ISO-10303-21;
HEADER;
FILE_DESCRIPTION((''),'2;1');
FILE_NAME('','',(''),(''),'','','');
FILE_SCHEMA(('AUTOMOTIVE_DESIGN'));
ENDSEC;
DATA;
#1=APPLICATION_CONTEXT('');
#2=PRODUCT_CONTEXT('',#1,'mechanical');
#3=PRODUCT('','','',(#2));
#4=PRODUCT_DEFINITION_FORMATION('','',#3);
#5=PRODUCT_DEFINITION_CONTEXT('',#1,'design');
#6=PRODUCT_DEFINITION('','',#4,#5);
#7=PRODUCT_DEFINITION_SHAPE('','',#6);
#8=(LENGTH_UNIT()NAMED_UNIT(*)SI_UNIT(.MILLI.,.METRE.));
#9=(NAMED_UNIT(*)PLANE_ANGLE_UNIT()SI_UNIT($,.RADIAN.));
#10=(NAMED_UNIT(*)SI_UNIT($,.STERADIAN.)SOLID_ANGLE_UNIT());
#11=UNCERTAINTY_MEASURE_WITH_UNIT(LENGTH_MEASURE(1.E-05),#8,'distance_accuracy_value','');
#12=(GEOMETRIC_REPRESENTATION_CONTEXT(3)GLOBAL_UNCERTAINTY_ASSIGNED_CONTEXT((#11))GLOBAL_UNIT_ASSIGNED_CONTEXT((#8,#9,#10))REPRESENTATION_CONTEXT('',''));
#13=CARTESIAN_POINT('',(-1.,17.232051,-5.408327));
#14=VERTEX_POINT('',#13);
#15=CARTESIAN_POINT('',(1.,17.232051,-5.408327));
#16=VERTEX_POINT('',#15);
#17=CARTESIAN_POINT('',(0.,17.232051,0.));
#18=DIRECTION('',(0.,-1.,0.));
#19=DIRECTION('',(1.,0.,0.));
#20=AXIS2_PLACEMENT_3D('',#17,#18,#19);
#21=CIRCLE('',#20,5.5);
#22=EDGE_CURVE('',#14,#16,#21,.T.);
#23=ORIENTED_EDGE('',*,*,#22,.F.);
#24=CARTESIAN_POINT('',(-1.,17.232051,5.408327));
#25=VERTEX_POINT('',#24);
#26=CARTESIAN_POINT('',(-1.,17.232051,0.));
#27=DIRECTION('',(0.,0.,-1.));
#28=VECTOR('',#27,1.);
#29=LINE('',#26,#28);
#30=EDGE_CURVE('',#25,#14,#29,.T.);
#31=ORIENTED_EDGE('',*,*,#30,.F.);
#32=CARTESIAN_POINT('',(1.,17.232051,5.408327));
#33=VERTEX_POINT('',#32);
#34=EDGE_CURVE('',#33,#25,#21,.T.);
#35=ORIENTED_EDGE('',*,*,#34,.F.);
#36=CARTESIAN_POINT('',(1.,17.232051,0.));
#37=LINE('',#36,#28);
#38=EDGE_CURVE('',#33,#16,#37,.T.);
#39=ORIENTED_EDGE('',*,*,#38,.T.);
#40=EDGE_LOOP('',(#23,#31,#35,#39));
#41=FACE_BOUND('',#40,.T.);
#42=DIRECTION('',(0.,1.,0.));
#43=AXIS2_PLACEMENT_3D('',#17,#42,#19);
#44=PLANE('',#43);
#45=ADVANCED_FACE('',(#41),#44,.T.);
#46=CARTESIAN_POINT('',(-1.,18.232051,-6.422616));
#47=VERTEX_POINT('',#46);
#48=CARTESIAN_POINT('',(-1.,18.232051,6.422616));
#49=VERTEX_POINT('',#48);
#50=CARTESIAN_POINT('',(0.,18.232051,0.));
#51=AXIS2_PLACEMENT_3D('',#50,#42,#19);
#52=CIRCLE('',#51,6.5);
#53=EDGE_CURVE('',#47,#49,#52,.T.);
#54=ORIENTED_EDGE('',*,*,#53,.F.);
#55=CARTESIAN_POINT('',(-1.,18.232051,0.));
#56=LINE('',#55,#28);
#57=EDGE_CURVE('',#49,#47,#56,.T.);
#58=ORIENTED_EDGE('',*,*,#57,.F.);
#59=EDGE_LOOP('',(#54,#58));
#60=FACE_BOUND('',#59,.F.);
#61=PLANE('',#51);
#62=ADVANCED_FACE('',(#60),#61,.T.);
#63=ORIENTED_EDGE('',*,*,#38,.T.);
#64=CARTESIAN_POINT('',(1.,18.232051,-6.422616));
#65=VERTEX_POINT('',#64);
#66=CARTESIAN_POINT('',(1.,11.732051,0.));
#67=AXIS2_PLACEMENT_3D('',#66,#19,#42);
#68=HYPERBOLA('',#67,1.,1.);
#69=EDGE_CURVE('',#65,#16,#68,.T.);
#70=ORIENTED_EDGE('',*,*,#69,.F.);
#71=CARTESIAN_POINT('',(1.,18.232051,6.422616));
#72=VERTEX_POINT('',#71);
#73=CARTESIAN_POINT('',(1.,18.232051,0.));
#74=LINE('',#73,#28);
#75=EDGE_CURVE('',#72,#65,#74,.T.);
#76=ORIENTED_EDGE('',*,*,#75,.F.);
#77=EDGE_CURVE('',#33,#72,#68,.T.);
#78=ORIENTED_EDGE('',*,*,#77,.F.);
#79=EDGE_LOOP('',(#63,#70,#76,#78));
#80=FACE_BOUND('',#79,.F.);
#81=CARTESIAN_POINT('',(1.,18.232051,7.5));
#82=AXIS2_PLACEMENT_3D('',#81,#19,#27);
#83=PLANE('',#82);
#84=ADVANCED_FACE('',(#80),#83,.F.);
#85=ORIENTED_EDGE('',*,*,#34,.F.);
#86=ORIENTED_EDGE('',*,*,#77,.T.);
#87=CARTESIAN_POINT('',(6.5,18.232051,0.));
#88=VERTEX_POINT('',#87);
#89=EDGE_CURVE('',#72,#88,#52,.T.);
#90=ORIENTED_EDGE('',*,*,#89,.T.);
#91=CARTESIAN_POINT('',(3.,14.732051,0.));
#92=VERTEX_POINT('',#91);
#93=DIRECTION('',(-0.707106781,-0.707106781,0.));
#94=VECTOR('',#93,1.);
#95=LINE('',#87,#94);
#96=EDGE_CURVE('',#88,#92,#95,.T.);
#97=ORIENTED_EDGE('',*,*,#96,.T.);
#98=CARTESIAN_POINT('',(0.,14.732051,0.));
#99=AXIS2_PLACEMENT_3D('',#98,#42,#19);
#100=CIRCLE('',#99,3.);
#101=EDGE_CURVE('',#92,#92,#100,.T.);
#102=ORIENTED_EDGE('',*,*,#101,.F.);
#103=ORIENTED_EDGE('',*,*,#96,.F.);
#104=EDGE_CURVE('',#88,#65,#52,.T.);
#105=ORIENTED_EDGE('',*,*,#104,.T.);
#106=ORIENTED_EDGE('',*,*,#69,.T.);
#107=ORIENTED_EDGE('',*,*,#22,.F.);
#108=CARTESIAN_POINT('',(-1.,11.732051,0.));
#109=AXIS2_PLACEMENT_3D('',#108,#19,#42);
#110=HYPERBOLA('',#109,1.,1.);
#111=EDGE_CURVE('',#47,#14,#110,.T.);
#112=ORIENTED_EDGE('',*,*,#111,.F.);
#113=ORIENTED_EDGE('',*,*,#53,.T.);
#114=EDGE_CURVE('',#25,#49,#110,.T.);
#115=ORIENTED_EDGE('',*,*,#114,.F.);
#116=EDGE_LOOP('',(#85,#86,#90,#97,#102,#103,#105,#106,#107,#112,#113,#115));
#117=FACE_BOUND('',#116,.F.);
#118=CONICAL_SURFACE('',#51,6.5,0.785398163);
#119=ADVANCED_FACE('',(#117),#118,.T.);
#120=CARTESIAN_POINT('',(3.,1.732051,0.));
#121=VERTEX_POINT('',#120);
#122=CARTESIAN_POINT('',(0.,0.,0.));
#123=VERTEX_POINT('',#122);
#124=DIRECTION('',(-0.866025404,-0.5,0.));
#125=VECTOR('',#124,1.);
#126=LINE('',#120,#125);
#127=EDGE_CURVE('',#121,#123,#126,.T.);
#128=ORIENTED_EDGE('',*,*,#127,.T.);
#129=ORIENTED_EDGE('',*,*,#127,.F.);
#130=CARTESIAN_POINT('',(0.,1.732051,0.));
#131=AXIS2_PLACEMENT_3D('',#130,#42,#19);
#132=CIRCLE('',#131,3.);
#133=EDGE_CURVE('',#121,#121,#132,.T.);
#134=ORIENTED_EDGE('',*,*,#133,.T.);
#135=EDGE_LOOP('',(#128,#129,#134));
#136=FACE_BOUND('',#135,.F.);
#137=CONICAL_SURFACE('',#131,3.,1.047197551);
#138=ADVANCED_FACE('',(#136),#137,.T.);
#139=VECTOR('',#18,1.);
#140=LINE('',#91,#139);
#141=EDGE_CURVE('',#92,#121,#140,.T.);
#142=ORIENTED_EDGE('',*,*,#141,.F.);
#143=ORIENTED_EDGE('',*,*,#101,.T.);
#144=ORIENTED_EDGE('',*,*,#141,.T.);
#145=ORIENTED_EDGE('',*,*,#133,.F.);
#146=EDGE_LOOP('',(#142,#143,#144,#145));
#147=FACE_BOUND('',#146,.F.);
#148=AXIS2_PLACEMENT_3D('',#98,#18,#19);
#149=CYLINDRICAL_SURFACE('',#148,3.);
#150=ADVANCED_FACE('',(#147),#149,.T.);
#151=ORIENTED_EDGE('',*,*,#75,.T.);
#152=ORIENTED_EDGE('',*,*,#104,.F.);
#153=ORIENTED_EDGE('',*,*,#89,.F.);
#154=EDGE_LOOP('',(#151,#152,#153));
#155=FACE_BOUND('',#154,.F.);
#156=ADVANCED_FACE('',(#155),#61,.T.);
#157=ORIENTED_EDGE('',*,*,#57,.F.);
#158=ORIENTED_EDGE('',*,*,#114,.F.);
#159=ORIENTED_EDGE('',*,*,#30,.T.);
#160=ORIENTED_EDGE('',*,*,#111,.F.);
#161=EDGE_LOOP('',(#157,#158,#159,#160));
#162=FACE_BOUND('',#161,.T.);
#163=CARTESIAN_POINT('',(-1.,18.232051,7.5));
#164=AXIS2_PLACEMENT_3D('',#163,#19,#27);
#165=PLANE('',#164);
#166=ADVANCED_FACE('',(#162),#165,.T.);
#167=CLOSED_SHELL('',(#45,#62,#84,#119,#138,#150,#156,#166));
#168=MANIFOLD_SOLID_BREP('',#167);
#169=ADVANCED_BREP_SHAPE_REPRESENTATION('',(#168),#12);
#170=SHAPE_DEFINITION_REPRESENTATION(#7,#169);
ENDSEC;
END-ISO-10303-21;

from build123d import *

# Parameters (mm, degrees)
SKETCH3_W          = 2
SKETCH3_H          = 15
CUT_EXTRUDE1_DEPTH = 1


with BuildPart() as part:
    # Sketch2 → Revolve1 (revolve)
    with BuildSketch(Plane.XY):
        Polygon((0, 0), (0, 18.232050808), (6.5, 18.232050808), (3, 14.732050808), (3, 1.732050808), align=None)
    revolve(axis=Axis((0, 0, 0), (0, 1, 0)))

    # Sketch3 → Cut-Extrude1 (cut)
    with BuildSketch(Plane(origin=(0, 18.232050808, 0), x_dir=(1, 0, 0), z_dir=(0, 1, 0))):
        Rectangle(SKETCH3_W, SKETCH3_H)
    extrude(amount=-CUT_EXTRUDE1_DEPTH, mode=Mode.SUBTRACT)


solid = part.part
